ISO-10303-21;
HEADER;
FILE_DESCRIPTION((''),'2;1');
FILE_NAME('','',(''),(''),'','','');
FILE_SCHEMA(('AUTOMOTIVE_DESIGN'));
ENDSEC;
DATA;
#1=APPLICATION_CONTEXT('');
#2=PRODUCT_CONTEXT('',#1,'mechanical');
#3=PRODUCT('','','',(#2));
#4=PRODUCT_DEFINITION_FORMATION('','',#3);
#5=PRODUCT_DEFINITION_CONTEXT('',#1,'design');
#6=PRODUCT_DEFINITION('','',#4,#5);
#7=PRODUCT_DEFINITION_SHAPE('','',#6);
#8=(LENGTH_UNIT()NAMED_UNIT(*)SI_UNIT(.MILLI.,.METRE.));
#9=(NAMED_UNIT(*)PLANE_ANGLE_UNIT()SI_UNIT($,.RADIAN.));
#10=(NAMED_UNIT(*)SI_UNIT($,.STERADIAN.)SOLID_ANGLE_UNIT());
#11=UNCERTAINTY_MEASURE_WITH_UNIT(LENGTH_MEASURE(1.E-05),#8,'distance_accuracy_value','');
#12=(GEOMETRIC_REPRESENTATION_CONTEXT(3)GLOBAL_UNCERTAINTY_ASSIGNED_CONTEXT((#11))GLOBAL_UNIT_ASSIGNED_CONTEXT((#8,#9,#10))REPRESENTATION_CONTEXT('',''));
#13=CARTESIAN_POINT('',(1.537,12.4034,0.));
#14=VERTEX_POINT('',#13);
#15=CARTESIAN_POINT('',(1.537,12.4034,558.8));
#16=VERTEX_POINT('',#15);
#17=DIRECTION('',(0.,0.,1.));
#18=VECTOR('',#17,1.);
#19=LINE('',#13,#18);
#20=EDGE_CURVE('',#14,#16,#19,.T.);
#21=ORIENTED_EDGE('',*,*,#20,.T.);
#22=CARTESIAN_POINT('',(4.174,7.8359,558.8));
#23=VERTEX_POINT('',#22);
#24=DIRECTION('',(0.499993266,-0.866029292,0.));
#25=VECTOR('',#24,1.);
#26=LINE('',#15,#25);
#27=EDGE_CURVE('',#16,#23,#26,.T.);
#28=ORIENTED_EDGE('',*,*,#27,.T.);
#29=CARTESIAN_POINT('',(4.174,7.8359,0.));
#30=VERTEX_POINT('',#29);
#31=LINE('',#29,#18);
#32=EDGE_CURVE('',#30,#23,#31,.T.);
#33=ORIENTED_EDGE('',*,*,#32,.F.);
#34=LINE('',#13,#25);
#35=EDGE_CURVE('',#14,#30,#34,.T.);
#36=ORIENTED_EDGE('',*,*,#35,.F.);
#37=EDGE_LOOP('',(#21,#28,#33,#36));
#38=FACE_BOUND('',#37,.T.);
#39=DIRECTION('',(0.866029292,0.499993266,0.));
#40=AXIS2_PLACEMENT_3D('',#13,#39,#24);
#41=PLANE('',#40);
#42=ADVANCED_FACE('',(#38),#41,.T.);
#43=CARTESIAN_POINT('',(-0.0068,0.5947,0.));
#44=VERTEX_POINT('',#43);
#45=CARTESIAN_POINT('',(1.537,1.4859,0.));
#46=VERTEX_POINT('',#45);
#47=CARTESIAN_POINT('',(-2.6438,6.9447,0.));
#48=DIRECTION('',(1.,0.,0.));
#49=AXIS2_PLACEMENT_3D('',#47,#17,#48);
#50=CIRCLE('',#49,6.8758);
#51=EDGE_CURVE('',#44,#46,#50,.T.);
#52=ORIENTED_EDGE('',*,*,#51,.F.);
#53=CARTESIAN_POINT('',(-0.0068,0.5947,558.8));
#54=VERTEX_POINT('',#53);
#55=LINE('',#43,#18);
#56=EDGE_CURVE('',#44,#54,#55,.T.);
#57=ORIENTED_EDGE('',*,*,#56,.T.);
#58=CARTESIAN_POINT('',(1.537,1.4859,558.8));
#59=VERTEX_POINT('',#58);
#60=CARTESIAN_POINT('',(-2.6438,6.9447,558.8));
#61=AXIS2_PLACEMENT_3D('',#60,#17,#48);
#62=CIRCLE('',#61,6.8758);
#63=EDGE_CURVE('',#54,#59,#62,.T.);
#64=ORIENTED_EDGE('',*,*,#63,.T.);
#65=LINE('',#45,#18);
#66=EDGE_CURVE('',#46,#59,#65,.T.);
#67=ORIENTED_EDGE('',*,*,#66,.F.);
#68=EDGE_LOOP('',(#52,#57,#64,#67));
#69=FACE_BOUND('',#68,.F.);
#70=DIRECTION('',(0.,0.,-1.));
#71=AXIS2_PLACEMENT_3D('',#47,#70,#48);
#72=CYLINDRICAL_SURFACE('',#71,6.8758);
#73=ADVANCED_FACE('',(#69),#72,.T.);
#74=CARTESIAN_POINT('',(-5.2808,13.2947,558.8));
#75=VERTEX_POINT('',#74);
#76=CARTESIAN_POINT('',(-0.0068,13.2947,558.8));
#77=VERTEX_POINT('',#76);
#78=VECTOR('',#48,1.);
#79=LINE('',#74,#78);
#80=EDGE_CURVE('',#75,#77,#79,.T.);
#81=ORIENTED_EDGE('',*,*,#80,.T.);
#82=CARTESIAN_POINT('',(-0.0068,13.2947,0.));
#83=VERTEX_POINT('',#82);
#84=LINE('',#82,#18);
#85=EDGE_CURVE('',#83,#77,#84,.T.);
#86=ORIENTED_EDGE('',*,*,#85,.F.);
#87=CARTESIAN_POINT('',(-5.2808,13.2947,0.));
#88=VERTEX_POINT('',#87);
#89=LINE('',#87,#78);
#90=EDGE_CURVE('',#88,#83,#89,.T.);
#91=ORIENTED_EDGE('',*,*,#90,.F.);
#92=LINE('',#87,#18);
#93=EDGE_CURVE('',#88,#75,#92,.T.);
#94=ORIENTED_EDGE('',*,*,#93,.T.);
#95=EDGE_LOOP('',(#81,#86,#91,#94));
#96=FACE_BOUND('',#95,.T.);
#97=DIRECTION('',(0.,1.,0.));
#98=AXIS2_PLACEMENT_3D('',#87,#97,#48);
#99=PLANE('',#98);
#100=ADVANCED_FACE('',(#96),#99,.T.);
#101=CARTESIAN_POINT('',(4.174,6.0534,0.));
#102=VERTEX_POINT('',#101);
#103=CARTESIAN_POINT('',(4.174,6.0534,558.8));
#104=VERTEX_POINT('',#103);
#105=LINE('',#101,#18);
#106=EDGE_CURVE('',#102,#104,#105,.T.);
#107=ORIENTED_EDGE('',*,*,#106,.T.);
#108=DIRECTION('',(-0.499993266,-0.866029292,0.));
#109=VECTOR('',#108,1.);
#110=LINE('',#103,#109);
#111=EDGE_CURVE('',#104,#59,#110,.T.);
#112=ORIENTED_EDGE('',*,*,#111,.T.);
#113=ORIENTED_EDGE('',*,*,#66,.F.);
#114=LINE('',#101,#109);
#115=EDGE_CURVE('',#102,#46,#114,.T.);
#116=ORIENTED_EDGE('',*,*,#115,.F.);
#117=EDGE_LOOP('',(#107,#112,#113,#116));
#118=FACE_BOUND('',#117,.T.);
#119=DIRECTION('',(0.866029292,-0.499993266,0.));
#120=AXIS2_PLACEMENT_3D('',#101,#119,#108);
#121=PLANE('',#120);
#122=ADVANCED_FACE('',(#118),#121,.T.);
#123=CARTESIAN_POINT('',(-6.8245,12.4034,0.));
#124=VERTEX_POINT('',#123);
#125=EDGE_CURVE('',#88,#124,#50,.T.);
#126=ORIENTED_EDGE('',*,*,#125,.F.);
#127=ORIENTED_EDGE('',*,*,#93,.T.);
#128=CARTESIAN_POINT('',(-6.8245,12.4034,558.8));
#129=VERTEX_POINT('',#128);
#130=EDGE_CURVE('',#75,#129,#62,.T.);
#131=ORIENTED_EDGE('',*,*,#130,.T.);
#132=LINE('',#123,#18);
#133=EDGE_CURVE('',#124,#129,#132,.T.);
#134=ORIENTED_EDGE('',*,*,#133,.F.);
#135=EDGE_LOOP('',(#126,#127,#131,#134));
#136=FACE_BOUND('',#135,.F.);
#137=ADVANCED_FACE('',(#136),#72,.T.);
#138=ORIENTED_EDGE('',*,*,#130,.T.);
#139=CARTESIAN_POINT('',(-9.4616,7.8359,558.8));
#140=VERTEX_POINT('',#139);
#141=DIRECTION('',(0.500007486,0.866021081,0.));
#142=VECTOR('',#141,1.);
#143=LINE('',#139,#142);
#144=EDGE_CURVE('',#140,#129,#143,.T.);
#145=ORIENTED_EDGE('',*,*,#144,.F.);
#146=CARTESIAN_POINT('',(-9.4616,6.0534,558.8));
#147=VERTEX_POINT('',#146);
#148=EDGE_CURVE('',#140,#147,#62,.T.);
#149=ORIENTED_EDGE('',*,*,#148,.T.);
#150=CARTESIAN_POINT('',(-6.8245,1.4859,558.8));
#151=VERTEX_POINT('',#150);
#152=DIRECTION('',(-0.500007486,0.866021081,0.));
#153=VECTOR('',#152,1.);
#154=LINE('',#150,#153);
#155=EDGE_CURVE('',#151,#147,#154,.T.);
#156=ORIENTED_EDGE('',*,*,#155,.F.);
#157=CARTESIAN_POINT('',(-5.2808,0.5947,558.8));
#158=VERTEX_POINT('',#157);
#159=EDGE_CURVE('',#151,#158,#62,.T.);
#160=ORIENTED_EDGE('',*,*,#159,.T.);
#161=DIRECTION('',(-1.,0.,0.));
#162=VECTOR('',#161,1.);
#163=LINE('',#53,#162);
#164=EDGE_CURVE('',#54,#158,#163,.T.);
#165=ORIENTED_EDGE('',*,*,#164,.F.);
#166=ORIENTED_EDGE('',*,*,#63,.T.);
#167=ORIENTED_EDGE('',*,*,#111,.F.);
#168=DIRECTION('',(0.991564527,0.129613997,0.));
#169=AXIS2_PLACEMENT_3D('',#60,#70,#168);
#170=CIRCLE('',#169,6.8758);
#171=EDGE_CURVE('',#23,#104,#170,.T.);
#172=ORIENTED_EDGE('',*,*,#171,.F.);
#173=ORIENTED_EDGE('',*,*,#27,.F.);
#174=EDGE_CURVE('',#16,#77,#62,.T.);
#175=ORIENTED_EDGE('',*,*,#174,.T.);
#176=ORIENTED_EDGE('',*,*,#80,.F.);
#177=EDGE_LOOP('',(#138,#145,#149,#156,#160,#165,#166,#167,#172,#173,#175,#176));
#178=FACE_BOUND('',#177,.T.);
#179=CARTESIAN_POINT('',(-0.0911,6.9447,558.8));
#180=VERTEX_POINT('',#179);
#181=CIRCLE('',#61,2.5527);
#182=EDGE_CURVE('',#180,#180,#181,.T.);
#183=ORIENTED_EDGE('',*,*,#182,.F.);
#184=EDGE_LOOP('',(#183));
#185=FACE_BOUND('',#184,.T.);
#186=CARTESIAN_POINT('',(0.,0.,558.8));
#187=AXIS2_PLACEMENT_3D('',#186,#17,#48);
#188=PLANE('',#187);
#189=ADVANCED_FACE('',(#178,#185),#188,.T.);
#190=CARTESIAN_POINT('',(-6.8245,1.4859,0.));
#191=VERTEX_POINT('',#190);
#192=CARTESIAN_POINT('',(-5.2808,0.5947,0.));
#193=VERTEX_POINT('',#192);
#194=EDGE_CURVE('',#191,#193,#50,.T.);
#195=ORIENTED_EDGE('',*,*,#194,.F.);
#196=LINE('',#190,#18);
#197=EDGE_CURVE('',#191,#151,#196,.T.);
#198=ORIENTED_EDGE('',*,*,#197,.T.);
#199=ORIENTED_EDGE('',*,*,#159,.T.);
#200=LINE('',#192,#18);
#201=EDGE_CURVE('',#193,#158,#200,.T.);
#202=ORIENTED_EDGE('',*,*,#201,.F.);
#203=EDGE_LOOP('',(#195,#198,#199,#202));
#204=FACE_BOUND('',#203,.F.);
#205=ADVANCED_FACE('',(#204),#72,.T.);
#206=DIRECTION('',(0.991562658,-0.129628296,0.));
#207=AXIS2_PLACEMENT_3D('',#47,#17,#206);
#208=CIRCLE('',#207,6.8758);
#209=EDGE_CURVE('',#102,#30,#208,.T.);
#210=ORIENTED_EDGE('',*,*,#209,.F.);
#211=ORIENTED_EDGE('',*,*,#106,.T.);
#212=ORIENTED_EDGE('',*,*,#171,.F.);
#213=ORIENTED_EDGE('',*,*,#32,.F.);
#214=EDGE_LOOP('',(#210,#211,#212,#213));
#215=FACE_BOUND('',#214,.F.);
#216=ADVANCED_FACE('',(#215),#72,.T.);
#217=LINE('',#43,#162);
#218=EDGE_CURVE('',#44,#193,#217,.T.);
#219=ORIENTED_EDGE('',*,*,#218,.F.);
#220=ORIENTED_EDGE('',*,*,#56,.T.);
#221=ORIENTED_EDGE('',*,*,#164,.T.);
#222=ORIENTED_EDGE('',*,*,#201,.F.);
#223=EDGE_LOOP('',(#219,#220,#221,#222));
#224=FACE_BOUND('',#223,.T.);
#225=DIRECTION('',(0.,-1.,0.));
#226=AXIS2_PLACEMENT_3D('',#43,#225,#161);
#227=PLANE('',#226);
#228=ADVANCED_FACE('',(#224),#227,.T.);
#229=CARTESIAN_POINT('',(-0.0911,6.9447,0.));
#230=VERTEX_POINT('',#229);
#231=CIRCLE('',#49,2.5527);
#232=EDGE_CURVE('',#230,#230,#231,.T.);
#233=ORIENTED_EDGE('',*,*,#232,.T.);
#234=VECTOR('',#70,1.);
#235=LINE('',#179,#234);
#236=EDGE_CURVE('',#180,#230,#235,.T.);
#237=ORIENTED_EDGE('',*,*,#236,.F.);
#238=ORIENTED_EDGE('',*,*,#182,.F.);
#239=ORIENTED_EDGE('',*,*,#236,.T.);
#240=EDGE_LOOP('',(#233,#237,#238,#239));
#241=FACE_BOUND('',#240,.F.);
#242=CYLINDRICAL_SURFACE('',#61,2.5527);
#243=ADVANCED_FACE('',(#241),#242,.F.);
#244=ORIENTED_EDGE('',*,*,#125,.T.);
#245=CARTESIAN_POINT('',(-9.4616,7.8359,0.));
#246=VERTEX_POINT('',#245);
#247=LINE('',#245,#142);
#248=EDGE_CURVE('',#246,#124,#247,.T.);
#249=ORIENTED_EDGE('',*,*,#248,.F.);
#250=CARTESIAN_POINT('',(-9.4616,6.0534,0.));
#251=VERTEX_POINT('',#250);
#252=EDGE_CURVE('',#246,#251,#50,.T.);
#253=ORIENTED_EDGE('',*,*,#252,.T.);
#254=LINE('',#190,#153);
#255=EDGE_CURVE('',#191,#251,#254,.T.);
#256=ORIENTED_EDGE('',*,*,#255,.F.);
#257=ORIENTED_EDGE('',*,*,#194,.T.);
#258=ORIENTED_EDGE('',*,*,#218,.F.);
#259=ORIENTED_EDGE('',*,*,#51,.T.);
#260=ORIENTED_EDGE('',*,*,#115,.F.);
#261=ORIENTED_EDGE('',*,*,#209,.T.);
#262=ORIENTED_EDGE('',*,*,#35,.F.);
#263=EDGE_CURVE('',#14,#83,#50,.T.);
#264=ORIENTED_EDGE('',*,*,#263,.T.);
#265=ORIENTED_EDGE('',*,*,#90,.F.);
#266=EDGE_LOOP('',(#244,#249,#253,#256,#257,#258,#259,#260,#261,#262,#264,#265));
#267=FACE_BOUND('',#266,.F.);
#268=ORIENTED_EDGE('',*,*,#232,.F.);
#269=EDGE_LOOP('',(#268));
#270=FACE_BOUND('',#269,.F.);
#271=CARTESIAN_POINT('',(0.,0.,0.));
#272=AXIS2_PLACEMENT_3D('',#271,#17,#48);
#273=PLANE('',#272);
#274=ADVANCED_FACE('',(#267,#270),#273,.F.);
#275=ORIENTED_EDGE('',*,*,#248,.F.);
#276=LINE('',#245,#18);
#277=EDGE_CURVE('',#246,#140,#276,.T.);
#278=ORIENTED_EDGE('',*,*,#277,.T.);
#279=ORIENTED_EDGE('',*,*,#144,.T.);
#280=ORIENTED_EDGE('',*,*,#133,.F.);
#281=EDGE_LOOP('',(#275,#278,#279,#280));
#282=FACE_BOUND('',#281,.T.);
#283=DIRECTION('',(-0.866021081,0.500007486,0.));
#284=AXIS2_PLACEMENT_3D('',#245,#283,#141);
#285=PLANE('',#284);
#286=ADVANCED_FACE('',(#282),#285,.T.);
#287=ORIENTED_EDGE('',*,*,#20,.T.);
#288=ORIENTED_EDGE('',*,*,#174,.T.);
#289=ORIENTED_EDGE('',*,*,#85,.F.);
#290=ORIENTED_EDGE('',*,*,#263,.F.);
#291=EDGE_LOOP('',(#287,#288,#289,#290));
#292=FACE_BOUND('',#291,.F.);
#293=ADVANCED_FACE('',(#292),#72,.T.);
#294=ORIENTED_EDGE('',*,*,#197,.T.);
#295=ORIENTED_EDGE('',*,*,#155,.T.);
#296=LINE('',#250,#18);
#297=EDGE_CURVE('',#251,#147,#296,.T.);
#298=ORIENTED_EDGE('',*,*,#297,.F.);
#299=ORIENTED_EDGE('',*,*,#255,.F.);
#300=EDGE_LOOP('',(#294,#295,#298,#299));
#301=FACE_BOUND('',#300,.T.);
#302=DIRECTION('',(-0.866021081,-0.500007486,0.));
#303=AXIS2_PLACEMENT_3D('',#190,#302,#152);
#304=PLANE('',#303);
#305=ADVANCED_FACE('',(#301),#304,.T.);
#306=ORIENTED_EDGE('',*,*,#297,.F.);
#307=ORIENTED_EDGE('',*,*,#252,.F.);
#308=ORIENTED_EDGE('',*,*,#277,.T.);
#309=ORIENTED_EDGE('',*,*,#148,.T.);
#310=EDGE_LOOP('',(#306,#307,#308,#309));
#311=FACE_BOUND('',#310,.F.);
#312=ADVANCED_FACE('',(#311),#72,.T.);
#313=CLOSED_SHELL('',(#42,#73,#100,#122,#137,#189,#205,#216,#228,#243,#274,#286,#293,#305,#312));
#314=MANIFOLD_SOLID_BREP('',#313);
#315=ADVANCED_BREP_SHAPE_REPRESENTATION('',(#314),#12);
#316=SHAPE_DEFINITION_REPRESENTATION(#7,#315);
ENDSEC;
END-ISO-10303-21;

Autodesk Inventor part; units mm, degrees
ref_plane "YZ Plane" through (0, 0, 0) normal (1, 0, 0) x (0, 1, 0)
ref_plane "XZ Plane" through (0, 0, 0) normal (0, 1, 0) x (-1, 0, 0)
ref_plane "XY Plane" through (0, 0, 0) normal (0, 0, 1) x (1, 0, 0)
sketch "Sketch1" plane through (0, 0, 0) normal (0, 0, 1) x (1, 0, 0)
  circle A0 centre (-2.6438, 6.9447) radius 6.8758
  line L0 (-9.4616, 7.8359) -> (-6.8245, 12.4034)
  line L1 (-6.8245, 1.4859) -> (-9.4616, 6.0534)
  line L2 (-0.0068, 0.5947) -> (-5.2808, 0.5947)
  line L3 (4.174, 6.0534) -> (1.537, 1.4859)
  line L4 (1.537, 12.4034) -> (4.174, 7.8359)
  line L5 (-5.2808, 13.2947) -> (-0.0068, 13.2947)
  point P0 (0, 0)
  point P1 (1.537, 1.4859)
  dimension "d0" = 13.7516
  dimension "d4" = 360
extrude "Extrusion1" add sketch "Sketch1" along normal blind 558.8 contours A0 L3 L2 L1 L0 L5 L4
sketch "Sketch2" plane through (0, 0, 558.8) normal (0, 0, 1) x (1, 0, 0)
  circle A0 centre (-2.6438, 6.9447) radius 2.5527
  line L0 (-5.2808, 0.5947) -> (-0.0068, 0.5947) projected
  line L1 (-2.6438, 6.9447) -> (-5.2808, 0.5947) construction
  line L2 (-2.6438, 6.9447) -> (-0.0068, 0.5947) construction
  point P0 (0, 0)
  dimension "d8" = 5.1054
  dimension "d9" = 6.35
extrude "Extrusion2" cut sketch "Sketch2" against normal blind 558.8
equation "\"d6\" = d5"
equation "\"d10\" = d5"
equation "\"d5\" = 558.8"
properties part number "ThunderHex Stock"
